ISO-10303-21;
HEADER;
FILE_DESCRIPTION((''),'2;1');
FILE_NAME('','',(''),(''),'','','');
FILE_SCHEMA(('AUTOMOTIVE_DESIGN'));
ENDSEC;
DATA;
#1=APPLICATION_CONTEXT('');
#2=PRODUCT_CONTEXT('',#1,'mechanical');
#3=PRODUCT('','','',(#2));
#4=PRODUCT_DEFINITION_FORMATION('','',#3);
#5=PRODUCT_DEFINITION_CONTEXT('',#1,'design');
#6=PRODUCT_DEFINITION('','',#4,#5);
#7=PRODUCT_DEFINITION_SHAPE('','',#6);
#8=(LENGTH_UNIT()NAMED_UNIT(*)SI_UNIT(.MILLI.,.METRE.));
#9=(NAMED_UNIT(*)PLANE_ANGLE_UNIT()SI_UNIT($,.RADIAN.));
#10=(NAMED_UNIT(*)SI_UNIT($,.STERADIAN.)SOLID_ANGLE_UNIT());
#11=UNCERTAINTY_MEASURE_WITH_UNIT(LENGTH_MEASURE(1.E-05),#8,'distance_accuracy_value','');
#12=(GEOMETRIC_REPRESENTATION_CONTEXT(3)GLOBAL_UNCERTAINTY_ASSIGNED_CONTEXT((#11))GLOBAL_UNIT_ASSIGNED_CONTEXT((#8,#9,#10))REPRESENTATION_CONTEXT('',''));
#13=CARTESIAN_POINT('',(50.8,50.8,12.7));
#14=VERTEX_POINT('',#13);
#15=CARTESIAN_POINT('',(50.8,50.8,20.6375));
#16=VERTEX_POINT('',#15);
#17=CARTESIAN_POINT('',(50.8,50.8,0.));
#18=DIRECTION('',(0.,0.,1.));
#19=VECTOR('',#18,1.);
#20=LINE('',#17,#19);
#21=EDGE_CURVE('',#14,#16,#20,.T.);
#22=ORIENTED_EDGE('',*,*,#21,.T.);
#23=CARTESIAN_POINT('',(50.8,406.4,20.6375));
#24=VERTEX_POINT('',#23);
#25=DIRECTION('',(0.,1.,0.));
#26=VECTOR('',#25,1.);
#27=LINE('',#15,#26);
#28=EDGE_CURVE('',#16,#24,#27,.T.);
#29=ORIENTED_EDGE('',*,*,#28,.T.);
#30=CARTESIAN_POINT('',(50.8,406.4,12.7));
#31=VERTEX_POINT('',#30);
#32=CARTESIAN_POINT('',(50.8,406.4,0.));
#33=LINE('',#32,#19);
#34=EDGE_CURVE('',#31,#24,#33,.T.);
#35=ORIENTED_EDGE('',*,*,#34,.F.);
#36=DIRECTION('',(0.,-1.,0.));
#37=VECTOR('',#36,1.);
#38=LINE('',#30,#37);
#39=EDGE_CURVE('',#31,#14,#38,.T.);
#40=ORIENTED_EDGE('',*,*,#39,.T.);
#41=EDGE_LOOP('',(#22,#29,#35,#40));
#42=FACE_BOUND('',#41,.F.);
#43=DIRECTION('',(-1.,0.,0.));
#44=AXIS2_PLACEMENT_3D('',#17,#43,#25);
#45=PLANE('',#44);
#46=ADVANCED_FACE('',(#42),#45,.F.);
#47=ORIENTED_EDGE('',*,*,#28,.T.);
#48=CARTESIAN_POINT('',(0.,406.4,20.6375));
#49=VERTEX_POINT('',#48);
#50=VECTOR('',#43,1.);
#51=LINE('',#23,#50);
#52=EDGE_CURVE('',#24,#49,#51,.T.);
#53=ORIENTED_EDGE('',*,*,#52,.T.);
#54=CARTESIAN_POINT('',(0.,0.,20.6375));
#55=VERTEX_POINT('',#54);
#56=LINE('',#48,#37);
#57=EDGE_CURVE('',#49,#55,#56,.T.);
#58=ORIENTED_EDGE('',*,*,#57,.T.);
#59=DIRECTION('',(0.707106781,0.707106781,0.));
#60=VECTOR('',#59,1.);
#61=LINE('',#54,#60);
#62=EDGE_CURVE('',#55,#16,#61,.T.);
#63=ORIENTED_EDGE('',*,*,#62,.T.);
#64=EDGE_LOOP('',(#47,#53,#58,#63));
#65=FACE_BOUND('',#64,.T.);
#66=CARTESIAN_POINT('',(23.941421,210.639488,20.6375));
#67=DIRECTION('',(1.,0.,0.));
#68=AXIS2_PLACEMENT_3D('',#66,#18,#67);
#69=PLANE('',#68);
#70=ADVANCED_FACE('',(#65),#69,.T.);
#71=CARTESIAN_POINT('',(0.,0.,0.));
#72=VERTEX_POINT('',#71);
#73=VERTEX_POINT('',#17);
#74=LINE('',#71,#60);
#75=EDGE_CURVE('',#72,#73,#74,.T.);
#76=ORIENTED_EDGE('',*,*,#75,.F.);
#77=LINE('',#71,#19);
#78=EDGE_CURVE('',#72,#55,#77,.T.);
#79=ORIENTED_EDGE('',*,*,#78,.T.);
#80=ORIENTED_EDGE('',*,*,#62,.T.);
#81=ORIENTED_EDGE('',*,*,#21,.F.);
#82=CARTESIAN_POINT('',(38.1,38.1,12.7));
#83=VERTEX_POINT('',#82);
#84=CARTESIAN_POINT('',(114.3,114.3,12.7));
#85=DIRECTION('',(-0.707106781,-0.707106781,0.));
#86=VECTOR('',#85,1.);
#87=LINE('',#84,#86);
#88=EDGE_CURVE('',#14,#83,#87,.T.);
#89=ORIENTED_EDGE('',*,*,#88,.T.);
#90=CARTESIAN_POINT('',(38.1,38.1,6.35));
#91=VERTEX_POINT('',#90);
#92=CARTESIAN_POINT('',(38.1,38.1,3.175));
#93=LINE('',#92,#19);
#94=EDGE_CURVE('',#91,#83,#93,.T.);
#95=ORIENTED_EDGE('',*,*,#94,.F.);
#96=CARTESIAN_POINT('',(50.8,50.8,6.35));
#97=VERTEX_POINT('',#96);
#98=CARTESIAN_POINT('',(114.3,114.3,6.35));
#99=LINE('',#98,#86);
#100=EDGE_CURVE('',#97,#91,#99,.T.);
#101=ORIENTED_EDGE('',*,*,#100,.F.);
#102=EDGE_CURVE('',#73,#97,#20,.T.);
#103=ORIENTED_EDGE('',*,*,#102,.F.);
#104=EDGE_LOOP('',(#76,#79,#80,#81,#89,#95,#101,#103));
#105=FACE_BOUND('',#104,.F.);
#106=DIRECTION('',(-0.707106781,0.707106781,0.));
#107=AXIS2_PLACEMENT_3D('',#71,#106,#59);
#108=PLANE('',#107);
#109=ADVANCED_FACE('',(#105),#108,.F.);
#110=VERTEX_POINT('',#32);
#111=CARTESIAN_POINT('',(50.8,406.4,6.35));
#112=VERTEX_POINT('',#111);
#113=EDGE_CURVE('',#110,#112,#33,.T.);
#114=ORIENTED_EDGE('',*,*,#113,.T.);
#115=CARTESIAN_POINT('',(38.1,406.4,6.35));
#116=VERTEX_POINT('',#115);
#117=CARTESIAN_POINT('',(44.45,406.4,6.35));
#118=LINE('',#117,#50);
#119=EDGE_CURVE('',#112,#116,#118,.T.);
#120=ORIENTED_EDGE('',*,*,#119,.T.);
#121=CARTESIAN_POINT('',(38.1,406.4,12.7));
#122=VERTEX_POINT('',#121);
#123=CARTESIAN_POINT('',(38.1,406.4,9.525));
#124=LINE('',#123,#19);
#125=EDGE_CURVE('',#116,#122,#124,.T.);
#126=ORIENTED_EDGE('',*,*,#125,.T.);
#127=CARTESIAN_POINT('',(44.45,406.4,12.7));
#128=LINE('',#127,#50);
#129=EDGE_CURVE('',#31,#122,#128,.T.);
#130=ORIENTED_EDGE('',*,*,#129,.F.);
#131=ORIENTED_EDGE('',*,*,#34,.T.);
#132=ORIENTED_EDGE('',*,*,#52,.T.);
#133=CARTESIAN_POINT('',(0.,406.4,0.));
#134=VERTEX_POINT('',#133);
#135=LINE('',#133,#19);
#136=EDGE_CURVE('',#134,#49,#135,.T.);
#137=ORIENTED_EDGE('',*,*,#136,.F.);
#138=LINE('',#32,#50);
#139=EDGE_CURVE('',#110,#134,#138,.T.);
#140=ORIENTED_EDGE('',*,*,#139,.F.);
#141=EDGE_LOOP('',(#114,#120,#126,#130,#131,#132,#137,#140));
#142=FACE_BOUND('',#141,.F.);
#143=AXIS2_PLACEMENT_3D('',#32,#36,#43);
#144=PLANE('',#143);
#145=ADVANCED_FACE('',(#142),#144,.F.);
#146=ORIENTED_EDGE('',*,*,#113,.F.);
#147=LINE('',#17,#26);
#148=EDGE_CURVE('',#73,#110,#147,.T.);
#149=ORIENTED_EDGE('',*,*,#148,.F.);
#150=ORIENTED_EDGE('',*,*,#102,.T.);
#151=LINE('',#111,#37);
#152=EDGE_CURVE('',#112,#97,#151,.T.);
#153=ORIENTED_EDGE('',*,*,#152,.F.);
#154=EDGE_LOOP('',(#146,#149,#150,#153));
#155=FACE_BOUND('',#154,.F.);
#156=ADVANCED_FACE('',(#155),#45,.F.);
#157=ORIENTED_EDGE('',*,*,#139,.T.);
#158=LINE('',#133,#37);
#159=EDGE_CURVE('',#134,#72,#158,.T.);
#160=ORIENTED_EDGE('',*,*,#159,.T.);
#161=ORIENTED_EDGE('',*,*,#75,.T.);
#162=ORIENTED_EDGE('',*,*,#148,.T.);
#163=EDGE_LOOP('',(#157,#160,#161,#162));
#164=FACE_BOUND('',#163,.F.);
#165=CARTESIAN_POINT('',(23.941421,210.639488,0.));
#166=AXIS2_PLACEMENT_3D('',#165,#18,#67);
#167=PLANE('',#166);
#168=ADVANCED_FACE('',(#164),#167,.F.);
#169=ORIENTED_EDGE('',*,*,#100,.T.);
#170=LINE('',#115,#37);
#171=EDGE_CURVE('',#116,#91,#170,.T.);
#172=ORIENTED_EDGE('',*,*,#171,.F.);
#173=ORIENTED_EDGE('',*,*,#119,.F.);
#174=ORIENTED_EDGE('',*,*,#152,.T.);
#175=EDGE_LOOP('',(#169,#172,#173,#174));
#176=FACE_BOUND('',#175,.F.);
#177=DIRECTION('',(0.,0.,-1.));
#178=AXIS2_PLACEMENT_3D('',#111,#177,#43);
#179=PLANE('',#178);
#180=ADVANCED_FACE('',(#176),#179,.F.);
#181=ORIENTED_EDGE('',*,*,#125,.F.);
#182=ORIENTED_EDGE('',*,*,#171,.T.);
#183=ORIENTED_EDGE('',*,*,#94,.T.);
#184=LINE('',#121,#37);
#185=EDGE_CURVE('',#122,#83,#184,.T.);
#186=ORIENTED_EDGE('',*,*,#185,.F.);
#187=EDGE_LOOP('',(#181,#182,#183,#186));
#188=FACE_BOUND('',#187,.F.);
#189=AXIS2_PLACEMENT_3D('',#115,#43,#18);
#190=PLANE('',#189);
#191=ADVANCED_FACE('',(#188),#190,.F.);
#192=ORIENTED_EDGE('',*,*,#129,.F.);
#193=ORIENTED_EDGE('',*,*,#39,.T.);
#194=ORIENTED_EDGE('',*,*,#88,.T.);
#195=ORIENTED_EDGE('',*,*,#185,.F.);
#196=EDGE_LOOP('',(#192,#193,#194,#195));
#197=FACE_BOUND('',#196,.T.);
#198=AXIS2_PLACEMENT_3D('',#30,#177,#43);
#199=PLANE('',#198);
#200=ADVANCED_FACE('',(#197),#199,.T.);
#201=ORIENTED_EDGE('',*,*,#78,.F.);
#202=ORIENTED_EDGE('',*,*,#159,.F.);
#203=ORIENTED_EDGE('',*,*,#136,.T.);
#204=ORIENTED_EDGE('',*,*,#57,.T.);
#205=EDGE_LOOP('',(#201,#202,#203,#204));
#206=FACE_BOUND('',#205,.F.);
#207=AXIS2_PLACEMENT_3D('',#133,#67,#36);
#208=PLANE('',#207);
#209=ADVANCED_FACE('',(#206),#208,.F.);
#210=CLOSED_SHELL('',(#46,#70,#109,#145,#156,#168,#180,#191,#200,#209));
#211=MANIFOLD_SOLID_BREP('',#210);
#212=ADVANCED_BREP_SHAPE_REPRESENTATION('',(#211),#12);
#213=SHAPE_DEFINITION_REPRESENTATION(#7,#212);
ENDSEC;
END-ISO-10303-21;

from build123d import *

# Parameters (mm, degrees)
F1_DEPTH = 20.6375
F2_W     = 12.7
F2_H     = 6.35
F3_DEPTH = 406.401


with BuildPart() as f1:
    # F0 (on Top) → F1 (new body)
    with BuildSketch(Plane.XY):
        Polygon((50.8, 406.4), (0, 406.4), (0, 0), (50.8, 50.8), align=None)
    extrude(amount=F1_DEPTH)

    # F2 (on face) → F3 (cut, through all)
    with BuildSketch(Plane(origin=(0, 406.4, 0), x_dir=(-1, 0, 0), z_dir=(0, 1, 0))):
        with Locations((-44.45, 9.525)):
            Rectangle(F2_W, F2_H)
    extrude(amount=-F3_DEPTH, mode=Mode.SUBTRACT)


solid = f1.part
